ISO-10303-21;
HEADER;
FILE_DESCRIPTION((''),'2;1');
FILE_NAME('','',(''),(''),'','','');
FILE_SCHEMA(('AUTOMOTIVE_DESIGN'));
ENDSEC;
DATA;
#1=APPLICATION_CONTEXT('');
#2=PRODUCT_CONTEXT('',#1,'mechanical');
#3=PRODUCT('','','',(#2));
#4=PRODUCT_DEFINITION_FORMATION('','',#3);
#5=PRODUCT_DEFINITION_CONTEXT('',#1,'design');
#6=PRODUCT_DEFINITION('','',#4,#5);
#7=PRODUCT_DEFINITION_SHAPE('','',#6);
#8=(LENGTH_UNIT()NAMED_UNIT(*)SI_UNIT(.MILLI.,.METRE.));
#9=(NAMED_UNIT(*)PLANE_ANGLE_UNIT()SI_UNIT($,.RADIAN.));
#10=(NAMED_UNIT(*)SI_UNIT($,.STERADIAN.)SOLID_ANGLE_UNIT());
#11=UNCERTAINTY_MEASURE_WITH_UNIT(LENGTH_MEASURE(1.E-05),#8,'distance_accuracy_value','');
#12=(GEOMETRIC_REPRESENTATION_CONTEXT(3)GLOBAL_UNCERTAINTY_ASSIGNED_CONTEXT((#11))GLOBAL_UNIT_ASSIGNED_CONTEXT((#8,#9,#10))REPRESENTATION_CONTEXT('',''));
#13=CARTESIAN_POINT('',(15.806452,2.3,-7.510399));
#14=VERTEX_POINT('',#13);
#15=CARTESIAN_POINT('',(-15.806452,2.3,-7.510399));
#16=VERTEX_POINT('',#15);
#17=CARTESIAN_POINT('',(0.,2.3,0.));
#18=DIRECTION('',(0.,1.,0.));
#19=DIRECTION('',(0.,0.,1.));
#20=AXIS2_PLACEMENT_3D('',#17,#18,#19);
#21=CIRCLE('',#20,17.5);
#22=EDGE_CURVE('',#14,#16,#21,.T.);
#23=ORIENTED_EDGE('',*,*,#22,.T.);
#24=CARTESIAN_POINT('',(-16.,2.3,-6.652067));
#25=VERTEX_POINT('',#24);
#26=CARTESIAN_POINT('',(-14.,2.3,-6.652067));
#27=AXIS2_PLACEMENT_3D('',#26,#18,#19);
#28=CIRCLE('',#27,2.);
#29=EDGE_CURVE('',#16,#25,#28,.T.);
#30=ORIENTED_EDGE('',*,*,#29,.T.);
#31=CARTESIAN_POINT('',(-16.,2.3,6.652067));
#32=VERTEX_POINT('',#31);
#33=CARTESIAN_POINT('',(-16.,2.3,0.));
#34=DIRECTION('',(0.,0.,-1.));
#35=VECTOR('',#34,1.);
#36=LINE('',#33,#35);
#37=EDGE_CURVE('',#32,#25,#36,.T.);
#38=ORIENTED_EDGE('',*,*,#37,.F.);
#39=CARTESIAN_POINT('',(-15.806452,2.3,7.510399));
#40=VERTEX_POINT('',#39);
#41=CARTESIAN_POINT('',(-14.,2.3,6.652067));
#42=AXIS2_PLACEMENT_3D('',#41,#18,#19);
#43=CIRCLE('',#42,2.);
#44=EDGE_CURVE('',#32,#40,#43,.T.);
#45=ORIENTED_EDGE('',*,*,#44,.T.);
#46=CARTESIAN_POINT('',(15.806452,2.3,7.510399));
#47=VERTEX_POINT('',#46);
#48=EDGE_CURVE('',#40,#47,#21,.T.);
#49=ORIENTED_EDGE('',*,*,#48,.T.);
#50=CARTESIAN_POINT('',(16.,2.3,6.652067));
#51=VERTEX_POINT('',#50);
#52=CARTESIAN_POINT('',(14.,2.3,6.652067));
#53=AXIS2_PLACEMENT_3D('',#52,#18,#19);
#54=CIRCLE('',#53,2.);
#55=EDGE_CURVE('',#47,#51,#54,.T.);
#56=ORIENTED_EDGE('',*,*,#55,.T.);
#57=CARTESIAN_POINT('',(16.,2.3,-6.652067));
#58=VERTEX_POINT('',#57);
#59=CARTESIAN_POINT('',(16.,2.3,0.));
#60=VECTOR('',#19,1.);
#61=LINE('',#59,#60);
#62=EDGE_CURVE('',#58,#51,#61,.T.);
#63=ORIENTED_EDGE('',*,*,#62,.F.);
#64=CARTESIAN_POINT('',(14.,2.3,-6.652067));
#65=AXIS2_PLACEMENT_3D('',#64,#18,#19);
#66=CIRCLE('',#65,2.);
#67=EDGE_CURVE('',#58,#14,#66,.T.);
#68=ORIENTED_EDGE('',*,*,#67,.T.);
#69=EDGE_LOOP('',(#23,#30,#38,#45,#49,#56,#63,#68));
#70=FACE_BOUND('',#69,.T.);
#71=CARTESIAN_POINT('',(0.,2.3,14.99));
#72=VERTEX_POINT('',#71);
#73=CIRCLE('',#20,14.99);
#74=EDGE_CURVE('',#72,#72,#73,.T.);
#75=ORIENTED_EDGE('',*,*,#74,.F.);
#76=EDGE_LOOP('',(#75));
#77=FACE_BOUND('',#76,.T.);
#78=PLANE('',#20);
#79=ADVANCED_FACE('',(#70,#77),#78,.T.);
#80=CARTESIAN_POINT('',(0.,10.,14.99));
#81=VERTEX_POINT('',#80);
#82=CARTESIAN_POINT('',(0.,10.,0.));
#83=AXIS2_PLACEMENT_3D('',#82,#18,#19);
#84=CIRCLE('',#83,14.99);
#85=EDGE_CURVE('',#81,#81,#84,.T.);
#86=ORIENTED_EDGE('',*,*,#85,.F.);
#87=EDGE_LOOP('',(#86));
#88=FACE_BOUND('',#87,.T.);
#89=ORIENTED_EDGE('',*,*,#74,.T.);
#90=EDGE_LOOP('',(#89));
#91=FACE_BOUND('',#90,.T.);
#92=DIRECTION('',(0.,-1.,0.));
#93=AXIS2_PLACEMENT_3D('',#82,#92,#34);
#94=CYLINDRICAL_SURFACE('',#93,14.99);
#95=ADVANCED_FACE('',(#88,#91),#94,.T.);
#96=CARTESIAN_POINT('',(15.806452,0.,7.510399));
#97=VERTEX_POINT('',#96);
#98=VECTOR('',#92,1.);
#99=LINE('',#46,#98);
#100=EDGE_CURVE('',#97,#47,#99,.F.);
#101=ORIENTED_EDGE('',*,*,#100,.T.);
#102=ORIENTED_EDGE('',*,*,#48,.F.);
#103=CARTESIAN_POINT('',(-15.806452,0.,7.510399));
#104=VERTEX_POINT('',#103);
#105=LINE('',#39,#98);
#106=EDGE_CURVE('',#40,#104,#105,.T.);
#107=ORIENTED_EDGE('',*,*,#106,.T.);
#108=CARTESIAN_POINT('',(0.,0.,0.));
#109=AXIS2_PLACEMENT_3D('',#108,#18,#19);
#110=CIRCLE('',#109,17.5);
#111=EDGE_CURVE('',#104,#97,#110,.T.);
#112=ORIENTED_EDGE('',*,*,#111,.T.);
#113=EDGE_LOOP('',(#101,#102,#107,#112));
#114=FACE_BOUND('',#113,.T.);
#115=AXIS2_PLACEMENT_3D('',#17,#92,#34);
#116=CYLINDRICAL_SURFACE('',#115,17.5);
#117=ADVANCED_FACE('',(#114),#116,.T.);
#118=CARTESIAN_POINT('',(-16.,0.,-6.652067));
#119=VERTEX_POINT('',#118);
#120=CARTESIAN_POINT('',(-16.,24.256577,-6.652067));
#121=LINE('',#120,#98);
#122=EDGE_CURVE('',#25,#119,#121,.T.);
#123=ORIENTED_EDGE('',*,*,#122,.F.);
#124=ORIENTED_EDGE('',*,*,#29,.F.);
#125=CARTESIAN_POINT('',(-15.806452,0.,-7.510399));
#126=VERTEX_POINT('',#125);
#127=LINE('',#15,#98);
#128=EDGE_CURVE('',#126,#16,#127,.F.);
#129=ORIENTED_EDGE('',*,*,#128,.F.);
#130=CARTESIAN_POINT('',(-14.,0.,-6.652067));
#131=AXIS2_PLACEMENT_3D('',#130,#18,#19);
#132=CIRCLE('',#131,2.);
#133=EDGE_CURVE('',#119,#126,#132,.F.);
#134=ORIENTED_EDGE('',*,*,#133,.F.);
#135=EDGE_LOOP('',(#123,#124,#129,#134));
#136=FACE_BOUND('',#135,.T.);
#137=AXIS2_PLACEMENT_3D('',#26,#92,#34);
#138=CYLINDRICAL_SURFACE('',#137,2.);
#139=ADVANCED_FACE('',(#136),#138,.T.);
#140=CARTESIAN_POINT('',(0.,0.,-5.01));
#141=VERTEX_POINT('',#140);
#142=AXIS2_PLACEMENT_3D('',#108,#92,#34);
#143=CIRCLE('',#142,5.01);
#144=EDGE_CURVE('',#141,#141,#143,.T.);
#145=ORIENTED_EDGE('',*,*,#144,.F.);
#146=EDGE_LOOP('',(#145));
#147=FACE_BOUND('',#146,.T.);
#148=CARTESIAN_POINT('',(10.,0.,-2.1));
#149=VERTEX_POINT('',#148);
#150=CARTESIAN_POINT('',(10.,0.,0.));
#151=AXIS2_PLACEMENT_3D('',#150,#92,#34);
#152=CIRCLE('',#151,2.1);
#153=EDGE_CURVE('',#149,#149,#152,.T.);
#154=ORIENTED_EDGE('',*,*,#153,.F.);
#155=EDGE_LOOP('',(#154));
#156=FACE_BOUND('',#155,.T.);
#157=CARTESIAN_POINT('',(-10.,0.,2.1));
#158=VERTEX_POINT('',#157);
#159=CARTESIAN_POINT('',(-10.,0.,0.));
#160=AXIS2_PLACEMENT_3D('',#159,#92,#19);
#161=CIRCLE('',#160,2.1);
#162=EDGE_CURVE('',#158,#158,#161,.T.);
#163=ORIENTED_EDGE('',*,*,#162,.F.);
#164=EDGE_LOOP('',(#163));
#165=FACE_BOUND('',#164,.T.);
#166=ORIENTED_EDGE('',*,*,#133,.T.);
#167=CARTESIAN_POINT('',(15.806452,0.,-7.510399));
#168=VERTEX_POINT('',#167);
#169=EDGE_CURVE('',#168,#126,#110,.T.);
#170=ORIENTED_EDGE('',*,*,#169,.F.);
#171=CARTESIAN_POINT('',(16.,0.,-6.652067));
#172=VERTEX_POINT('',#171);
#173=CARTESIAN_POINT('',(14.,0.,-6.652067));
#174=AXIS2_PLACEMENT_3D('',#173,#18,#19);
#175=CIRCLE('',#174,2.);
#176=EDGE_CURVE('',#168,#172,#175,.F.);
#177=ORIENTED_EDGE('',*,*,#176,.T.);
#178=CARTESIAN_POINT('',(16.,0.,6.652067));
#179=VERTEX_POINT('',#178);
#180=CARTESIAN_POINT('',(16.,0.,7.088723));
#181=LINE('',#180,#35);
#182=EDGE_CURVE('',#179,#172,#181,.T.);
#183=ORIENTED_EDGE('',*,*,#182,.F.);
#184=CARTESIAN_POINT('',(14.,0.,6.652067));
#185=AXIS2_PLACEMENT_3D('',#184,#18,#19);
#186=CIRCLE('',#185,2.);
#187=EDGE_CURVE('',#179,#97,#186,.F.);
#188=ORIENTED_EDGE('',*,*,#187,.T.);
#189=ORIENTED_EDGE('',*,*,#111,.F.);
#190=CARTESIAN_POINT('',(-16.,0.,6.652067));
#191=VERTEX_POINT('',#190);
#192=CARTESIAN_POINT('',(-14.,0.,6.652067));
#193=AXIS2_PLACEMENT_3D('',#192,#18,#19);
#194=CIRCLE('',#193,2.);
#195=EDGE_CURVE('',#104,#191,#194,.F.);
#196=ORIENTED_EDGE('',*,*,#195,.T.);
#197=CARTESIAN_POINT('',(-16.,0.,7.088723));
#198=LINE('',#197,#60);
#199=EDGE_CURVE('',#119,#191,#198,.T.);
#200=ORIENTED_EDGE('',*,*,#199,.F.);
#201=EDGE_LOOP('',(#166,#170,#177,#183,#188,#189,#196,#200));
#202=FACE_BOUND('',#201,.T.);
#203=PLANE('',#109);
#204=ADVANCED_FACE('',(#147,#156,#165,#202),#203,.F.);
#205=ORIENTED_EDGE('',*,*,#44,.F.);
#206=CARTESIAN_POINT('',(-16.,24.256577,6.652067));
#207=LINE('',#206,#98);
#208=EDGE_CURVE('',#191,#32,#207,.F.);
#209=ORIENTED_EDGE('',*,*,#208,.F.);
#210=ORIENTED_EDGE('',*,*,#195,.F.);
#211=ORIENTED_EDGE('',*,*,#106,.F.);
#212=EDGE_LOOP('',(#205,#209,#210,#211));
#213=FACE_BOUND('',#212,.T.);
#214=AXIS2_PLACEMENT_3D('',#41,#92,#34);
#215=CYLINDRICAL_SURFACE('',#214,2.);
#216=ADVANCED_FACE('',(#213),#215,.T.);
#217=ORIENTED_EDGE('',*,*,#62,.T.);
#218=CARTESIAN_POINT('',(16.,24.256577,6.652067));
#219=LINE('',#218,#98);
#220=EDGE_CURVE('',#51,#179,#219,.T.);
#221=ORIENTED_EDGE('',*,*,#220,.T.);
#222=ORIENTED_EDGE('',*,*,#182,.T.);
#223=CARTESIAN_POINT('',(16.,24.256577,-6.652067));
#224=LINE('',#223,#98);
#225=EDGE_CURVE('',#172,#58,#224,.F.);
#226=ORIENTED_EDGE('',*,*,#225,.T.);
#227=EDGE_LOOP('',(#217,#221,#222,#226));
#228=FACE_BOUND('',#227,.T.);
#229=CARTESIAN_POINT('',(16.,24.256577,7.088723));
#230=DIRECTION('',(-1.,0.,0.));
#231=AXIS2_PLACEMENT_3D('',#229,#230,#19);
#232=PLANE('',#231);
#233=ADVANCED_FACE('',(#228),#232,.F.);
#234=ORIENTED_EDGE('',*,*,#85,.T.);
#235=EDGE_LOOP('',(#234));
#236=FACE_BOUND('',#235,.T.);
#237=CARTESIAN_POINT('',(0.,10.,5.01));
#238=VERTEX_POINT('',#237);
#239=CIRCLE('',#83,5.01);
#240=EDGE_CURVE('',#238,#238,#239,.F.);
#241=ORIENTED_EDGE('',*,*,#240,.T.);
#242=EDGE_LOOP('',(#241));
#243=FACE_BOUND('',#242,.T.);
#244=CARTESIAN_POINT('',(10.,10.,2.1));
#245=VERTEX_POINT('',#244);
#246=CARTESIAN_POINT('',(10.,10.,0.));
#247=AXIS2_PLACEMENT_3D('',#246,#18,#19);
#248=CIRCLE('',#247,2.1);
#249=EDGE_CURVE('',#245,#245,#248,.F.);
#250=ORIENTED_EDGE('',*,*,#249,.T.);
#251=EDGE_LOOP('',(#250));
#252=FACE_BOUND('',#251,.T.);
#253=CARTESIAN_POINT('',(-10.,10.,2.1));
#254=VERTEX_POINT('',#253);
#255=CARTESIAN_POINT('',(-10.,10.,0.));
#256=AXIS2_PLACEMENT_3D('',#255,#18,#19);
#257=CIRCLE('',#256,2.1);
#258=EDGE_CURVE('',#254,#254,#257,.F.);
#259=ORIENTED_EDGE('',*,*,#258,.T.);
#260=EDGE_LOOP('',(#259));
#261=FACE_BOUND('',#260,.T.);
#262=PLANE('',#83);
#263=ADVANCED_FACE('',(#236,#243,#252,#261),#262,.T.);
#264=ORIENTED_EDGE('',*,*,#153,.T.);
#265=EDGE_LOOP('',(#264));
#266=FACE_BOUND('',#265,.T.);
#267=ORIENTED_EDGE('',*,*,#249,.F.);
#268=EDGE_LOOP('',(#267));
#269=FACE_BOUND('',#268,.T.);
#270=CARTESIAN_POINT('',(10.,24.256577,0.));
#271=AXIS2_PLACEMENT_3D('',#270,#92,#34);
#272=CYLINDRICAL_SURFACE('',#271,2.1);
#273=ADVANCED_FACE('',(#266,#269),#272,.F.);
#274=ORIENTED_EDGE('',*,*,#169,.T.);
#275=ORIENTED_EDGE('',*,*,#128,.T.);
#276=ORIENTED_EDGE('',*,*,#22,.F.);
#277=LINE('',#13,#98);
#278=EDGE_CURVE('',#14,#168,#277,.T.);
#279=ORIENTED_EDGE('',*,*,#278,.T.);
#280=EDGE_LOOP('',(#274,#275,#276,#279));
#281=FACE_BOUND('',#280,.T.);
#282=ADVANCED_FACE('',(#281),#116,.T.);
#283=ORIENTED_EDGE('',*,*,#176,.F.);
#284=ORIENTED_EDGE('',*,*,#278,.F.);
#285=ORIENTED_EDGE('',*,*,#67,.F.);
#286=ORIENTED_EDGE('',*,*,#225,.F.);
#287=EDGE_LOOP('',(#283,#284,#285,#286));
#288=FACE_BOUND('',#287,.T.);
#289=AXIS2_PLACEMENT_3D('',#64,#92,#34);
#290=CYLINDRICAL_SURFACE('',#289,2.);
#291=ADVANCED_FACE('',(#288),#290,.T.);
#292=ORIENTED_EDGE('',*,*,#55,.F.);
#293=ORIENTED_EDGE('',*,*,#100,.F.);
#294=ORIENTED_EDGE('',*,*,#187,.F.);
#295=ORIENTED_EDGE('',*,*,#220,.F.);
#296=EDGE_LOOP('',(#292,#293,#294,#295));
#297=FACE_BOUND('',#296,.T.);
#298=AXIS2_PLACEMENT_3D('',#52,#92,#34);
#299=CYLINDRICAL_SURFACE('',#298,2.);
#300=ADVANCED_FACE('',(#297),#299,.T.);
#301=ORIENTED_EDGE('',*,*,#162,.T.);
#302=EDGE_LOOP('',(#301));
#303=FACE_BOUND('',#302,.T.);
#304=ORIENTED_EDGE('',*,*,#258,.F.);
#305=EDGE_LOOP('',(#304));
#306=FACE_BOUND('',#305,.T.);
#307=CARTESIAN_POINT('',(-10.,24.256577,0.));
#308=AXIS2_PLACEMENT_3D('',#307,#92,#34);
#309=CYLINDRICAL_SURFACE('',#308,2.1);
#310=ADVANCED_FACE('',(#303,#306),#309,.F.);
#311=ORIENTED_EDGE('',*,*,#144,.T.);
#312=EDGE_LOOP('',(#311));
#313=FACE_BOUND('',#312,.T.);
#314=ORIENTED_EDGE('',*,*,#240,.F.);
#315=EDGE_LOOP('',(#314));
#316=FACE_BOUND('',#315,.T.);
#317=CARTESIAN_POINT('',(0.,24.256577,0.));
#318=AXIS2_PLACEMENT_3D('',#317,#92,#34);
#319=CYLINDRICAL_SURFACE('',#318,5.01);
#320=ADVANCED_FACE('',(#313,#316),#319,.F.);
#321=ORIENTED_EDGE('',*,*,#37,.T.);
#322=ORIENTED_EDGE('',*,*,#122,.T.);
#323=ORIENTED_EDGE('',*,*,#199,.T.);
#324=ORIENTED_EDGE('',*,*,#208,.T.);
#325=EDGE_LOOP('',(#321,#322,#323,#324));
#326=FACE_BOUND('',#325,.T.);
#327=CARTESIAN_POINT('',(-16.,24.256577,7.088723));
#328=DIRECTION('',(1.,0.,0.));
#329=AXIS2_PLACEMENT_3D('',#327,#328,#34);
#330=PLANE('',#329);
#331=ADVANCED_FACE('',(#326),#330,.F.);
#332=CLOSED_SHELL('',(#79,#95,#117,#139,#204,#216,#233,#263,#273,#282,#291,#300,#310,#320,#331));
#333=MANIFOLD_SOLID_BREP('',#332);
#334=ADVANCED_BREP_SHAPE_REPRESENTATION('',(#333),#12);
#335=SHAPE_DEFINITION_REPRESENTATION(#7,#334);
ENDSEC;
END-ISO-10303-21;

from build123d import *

# Parameters (mm, degrees)
SKETCH_1_R          = 17.5
EXTRUDE_1_DEPTH     = 2.3
SKETCH_2_R          = 14.99
EXTRUDE_2_DEPTH     = 7.7
CUT_EXTRUDE_1_REACH = 28.693
SKETCH_3_R          = 5.01
SKETCH_3_R_2        = 2.1
FILLET_1_R          = 2


with BuildPart() as part:
    # ｽｹｯﾁ1 → ﾎﾞｽ - 押し出し1 (new body)
    with BuildSketch(Plane(origin=(0, 0, 0), x_dir=(1, 0, 0), z_dir=(0, 1, 0))):
        with Locations(Location((0, 0, 0), (0, 0, 270))):
            Circle(SKETCH_1_R)
    extrude(amount=EXTRUDE_1_DEPTH)

    # ｽｹｯﾁ2 → ﾎﾞｽ - 押し出し2 (add)
    with BuildSketch(Plane(origin=(0, 2.3, 0), x_dir=(1, 0, 0), z_dir=(0, 1, 0))):
        with Locations(Location((0, 0, 0), (0, 0, 270))):
            Circle(SKETCH_2_R)
    extrude(amount=EXTRUDE_2_DEPTH)

    # ｶｯﾄ - 押し出し1: up to this face of the body (flat: up to its plane)
    cut_extrude_1_end = Plane(part.part.faces().sort_by_distance((0, 10, 0))[0])
    # ｽｹｯﾁ3 → ｶｯﾄ - 押し出し1 (cut, up to the picked face)
    with BuildSketch(Plane.XZ, mode=Mode.PRIVATE) as cut_extrude_1_sk1:
        with Locations(Location((0, 0, 0), (0, 0, 270))):
            Circle(SKETCH_3_R)
    cut_extrude_1_tool1 = split(extrude(cut_extrude_1_sk1.sketch, amount=-CUT_EXTRUDE_1_REACH, mode=Mode.PRIVATE), bisect_by=cut_extrude_1_end, keep=Keep.BOTH, mode=Mode.PRIVATE)
    # ｽｹｯﾁ3 → ｶｯﾄ - 押し出し1 (cut, up to the picked face)
    with BuildSketch(Plane.XZ, mode=Mode.PRIVATE) as cut_extrude_1_sk2:
        with Locations(Location((10, 0, 0), (0, 0, 270))):
            Circle(SKETCH_3_R_2)
    cut_extrude_1_tool2 = split(extrude(cut_extrude_1_sk2.sketch, amount=-CUT_EXTRUDE_1_REACH, mode=Mode.PRIVATE), bisect_by=cut_extrude_1_end, keep=Keep.BOTH, mode=Mode.PRIVATE)
    # ｽｹｯﾁ3 → ｶｯﾄ - 押し出し1 (cut, up to the picked face)
    with BuildSketch(Plane.XZ, mode=Mode.PRIVATE) as cut_extrude_1_sk3:
        with Locations(Location((-10, 0, 0), (0, 0, 90))):
            Circle(SKETCH_3_R_2)
    cut_extrude_1_tool3 = split(extrude(cut_extrude_1_sk3.sketch, amount=-CUT_EXTRUDE_1_REACH, mode=Mode.PRIVATE), bisect_by=cut_extrude_1_end, keep=Keep.BOTH, mode=Mode.PRIVATE)
    # ｽｹｯﾁ3 → ｶｯﾄ - 押し出し1 (cut, up to the picked face)
    with BuildSketch(Plane.XZ, mode=Mode.PRIVATE) as cut_extrude_1_sk4:
        with BuildLine():
            Line((16, 7.088723439), (16, -7.088723439))
            ThreePointArc((16, -7.088723439), (17.5, 0), (16, 7.088723439))
        make_face()
    cut_extrude_1_tool4 = split(extrude(cut_extrude_1_sk4.sketch, amount=-CUT_EXTRUDE_1_REACH, mode=Mode.PRIVATE), bisect_by=cut_extrude_1_end, keep=Keep.BOTH, mode=Mode.PRIVATE)
    # ｽｹｯﾁ3 → ｶｯﾄ - 押し出し1 (cut, up to the picked face)
    with BuildSketch(Plane.XZ, mode=Mode.PRIVATE) as cut_extrude_1_sk5:
        with BuildLine():
            Line((-16, 7.088723439), (-16, -7.088723439))
            ThreePointArc((-16, -7.088723439), (-17.5, 0), (-16, 7.088723439))
        make_face()
    cut_extrude_1_tool5 = split(extrude(cut_extrude_1_sk5.sketch, amount=-CUT_EXTRUDE_1_REACH, mode=Mode.PRIVATE), bisect_by=cut_extrude_1_end, keep=Keep.BOTH, mode=Mode.PRIVATE)
    add(cut_extrude_1_tool1.solids().sort_by(Axis((0, 0, 0), (0, 1, 0)))[0], mode=Mode.SUBTRACT)
    add(cut_extrude_1_tool2.solids().sort_by(Axis((10, 0, 0), (0, 1, 0)))[0], mode=Mode.SUBTRACT)
    add(cut_extrude_1_tool3.solids().sort_by(Axis((-10, 0, 0), (0, 1, 0)))[0], mode=Mode.SUBTRACT)
    add(cut_extrude_1_tool4.solids().sort_by(Axis((16.60226, 0, 0), (0, 1, 0)))[0], mode=Mode.SUBTRACT)
    add(cut_extrude_1_tool5.solids().sort_by(Axis((-16.60226, 0, 0), (0, 1, 0)))[0], mode=Mode.SUBTRACT)

    # ﾌｨﾚｯﾄ1
    fillet_1_edges = [part.edges().sort_by_distance(p)[0] for p in [
        (-16, 1.15, 7.088723439),
        (-16, 1.15, -7.088723439),
        (16, 1.15, -7.088723439),
        (16, 1.15, 7.088723439),
    ]]
    fillet(fillet_1_edges, radius=FILLET_1_R)


solid = part.part
